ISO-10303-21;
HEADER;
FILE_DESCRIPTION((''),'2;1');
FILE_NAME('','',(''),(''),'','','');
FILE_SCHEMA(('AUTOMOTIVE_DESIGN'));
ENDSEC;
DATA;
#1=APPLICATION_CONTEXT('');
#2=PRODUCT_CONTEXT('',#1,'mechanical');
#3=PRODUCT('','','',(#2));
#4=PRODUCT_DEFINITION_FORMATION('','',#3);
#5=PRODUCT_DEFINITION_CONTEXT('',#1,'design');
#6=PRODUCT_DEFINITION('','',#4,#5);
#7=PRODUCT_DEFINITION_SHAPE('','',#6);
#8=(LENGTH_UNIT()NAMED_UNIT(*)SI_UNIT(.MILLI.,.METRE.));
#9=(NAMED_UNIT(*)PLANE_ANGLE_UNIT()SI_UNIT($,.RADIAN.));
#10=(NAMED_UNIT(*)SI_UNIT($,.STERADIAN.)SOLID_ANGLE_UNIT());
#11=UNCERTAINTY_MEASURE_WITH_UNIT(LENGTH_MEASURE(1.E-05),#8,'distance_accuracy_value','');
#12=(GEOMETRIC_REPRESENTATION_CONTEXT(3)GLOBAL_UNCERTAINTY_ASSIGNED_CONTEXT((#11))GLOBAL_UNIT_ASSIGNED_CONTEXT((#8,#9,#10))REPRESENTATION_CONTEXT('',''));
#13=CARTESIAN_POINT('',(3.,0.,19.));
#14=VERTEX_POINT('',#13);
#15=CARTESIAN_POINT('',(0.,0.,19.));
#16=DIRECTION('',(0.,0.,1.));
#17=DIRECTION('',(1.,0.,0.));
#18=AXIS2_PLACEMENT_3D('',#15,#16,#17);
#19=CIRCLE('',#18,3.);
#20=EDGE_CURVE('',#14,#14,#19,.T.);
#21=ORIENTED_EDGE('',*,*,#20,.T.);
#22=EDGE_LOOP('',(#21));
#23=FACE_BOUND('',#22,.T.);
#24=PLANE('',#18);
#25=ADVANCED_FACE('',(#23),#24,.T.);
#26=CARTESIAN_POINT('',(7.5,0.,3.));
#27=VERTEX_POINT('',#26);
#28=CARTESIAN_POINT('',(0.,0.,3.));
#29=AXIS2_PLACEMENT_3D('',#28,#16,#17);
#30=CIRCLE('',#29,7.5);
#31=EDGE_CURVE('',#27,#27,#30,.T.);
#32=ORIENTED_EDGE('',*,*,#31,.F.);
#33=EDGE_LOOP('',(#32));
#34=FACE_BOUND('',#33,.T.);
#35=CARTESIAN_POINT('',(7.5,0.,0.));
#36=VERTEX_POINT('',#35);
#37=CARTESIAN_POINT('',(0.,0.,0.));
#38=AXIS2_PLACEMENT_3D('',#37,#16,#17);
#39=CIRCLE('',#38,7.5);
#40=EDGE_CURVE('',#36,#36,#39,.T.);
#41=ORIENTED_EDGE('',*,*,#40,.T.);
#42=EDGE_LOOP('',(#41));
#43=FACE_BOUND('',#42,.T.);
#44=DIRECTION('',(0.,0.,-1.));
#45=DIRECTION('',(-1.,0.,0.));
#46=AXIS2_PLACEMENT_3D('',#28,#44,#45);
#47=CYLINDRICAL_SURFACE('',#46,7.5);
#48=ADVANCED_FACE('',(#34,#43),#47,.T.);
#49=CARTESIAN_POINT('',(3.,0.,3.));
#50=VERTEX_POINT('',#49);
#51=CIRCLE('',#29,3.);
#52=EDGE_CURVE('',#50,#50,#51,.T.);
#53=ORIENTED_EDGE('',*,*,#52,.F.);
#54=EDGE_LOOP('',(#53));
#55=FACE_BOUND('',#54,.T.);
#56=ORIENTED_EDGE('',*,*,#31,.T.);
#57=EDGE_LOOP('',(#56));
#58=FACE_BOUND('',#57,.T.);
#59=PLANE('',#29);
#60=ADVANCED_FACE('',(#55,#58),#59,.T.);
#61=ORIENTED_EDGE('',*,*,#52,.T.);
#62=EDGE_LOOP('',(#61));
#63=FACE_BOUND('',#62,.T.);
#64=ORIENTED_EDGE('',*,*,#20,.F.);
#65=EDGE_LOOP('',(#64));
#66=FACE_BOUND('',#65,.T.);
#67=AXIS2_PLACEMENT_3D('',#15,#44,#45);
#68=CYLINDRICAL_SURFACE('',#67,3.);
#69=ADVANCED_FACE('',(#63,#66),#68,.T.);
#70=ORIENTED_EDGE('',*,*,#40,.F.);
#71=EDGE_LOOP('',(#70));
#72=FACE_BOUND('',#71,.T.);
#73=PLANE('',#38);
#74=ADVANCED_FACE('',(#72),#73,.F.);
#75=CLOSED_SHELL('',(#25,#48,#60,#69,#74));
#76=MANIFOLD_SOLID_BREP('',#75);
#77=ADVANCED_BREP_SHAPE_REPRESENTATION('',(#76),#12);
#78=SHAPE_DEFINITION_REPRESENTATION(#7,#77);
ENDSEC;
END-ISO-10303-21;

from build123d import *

# Parameters (mm, degrees)
SKETCH1_R           = 3
BOSS_EXTRUDE1_DEPTH = 19
SKETCH1_3_R         = 7.5
SKETCH1_3_R_2       = 3
BOSS_EXTRUDE2_DEPTH = 3


with BuildPart() as part:
    # Sketch1 → Boss-Extrude1 (new body)
    with BuildSketch(Plane.XY):
        Circle(SKETCH1_R)
    extrude(amount=BOSS_EXTRUDE1_DEPTH)

    # Sketch1<3> → Boss-Extrude2 (add)
    with BuildSketch(Plane.XY):
        Circle(SKETCH1_3_R)
        Circle(SKETCH1_3_R_2, mode=Mode.SUBTRACT)
    extrude(amount=BOSS_EXTRUDE2_DEPTH)


solid = part.part
